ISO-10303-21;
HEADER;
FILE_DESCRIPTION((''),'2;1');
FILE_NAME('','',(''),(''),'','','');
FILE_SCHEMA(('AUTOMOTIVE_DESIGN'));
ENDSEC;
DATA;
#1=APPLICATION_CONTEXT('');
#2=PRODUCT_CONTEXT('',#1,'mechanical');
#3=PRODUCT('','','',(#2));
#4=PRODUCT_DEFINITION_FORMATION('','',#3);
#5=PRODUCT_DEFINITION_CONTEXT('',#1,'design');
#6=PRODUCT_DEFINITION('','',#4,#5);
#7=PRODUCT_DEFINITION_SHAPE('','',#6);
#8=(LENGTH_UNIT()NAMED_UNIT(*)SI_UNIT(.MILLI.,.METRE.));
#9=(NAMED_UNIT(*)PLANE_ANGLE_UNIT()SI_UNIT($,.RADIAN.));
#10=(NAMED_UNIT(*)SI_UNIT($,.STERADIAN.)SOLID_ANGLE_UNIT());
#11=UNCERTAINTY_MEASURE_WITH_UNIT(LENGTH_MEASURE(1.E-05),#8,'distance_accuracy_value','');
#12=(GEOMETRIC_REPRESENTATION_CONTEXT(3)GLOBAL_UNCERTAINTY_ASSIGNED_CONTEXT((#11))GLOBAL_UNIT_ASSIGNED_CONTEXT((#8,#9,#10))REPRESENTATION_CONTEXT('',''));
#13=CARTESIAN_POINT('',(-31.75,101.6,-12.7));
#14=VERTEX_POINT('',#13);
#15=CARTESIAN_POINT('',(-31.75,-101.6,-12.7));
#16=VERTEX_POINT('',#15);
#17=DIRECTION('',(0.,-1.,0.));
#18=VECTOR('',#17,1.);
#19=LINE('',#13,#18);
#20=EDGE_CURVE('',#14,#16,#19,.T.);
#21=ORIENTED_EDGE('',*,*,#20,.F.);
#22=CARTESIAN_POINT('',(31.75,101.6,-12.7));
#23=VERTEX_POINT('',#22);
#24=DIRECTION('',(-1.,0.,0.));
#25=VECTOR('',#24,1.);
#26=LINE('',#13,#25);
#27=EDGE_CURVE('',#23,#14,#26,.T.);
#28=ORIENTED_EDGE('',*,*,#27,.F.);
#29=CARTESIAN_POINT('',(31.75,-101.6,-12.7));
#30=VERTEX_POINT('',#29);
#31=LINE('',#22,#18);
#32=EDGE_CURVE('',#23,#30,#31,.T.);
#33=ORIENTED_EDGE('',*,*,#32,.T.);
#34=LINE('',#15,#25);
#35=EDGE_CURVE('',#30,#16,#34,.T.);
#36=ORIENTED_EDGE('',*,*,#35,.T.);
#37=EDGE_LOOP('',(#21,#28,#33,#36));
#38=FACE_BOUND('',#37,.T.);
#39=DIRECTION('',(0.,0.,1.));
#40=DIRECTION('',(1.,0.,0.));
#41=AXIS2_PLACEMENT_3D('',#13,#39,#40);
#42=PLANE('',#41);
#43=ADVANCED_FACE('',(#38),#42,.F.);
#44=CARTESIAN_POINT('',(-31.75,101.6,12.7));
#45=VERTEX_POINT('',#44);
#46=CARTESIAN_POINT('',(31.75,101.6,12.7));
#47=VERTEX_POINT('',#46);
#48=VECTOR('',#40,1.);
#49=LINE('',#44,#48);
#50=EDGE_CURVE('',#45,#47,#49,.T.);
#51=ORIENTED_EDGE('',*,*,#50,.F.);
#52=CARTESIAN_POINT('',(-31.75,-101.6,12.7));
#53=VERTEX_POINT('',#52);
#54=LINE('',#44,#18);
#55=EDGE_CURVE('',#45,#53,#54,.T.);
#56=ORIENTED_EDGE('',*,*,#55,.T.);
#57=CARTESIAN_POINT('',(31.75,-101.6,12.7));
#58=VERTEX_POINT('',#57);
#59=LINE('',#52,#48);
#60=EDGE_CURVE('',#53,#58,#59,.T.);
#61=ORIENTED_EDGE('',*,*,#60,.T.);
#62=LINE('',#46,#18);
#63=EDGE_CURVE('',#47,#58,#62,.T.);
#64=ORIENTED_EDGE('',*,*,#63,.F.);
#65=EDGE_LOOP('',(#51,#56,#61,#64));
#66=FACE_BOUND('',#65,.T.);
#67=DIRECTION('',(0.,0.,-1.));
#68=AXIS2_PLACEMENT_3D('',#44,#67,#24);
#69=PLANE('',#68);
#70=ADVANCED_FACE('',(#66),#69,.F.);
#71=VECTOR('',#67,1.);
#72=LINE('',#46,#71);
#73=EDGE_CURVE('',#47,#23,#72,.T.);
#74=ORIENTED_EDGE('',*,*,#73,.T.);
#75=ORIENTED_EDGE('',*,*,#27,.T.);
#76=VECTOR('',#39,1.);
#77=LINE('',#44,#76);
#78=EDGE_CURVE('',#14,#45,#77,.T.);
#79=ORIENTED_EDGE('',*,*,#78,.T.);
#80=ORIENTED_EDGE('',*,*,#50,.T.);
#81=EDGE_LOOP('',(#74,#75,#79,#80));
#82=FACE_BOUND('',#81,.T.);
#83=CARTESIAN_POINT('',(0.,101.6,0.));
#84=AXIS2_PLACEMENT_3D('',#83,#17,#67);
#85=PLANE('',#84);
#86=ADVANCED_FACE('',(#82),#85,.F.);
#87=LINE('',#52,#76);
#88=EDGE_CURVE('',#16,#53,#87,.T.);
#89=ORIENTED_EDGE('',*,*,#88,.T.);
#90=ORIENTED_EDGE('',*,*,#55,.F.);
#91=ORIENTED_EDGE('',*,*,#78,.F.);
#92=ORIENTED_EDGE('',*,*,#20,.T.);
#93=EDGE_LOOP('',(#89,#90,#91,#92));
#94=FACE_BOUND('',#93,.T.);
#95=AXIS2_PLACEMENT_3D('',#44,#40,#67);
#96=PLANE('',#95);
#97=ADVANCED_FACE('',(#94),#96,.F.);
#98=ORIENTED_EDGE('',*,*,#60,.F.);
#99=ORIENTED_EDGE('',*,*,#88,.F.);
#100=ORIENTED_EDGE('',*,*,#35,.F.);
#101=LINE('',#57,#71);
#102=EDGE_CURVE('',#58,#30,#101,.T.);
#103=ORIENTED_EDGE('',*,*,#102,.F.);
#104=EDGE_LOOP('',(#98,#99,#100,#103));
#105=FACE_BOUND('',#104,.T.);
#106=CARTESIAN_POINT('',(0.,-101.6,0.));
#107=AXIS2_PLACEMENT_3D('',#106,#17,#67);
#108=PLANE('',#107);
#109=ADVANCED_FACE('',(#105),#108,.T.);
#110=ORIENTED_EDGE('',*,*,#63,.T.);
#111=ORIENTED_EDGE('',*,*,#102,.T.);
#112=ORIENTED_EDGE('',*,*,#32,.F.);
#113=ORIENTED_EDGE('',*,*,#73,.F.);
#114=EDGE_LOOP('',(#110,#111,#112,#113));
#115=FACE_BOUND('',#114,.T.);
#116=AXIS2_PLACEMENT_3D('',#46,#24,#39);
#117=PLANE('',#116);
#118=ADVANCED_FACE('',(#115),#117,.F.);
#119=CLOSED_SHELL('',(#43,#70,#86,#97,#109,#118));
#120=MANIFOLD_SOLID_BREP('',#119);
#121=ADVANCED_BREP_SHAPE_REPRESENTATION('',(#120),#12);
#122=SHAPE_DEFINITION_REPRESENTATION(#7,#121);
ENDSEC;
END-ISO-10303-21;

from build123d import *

# Parameters (mm, degrees)
SKETCH1_W           = 63.5
SKETCH1_H           = 25.4
BOSS_EXTRUDE1_DEPTH = 101.6


with BuildPart() as part:
    # Sketch1 → Boss-Extrude1 (new body, symmetric)
    with BuildSketch(Plane(origin=(0, 0, 0), x_dir=(1, 0, 0), z_dir=(0, 1, 0))):
        Rectangle(SKETCH1_W, SKETCH1_H)
    extrude(amount=BOSS_EXTRUDE1_DEPTH, both=True)


solid = part.part
